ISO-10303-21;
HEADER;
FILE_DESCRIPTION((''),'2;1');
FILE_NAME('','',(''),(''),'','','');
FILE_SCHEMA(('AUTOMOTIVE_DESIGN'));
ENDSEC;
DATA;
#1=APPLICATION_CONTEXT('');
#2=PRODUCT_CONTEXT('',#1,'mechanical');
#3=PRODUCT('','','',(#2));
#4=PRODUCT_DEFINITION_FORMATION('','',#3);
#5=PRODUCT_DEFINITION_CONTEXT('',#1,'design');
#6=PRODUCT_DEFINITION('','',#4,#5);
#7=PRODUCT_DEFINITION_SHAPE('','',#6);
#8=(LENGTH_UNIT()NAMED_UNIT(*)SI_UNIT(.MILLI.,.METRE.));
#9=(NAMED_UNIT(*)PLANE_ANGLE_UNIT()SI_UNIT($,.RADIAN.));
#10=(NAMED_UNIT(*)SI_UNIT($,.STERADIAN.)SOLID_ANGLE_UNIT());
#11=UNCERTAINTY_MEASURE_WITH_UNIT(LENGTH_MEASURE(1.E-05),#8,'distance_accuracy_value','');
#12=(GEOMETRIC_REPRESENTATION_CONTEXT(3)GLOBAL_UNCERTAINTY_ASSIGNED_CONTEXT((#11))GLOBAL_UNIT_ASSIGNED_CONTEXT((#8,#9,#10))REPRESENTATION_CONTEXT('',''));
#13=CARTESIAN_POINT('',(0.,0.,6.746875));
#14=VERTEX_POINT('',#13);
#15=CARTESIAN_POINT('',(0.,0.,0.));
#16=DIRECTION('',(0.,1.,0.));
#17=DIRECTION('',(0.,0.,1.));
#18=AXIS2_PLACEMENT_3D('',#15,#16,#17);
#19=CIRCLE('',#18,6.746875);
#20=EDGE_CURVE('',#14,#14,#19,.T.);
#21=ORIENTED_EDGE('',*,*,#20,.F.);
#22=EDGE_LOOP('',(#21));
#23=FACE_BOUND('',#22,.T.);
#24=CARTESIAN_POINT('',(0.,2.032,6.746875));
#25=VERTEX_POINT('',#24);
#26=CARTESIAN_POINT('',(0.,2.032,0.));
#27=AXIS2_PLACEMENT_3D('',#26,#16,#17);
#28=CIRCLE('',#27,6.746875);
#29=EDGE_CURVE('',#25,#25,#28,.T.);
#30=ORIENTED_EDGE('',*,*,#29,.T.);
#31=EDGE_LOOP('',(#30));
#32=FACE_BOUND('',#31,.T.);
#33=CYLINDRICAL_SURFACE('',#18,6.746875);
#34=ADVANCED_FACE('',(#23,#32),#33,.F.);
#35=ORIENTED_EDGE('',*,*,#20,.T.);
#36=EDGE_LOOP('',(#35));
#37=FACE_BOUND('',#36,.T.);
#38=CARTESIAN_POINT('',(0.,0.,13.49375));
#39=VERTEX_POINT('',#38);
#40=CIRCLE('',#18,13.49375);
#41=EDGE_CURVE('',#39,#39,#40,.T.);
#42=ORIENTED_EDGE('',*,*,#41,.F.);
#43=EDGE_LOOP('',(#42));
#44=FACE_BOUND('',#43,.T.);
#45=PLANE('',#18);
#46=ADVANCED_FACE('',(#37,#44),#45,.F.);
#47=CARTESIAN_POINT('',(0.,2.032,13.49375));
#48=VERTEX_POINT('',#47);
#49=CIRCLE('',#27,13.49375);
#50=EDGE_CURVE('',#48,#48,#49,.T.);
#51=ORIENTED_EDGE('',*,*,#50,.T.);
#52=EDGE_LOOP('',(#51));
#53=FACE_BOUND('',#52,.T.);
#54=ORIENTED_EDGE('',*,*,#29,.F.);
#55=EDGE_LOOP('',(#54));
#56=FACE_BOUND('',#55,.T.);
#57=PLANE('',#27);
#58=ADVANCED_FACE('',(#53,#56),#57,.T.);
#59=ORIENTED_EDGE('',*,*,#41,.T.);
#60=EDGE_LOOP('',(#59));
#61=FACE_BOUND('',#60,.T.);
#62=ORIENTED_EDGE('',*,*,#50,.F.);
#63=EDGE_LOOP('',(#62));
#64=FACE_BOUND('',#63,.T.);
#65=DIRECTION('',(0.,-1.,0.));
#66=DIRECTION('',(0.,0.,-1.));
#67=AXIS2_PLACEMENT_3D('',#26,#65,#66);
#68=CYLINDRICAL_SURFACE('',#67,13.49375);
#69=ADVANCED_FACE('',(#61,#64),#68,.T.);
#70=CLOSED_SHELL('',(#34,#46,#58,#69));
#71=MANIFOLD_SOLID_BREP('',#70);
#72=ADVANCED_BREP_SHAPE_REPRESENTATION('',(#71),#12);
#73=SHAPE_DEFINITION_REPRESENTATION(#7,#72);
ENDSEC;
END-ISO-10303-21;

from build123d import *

# Parameters (mm, degrees)
SKETCH1_R           = 13.49375
BOSS_EXTRUDE1_DEPTH = 2.032
SKETCH5_R           = 6.746875
CUT_EXTRUDE1_DEPTH  = 3.032


with BuildPart() as part:
    # Sketch1 → Boss-Extrude1 (new body)
    with BuildSketch(Plane(origin=(0, 0, 0), x_dir=(1, 0, 0), z_dir=(0, 1, 0))):
        Circle(SKETCH1_R)
    extrude(amount=BOSS_EXTRUDE1_DEPTH)

    # Sketch5 → Cut-Extrude1 (cut, through all)
    with BuildSketch(Plane(origin=(0, 2.032, 0), x_dir=(-1, 0, 0), z_dir=(0, 1, 0))):
        Circle(SKETCH5_R)
    extrude(amount=-CUT_EXTRUDE1_DEPTH, mode=Mode.SUBTRACT)


solid = part.part
